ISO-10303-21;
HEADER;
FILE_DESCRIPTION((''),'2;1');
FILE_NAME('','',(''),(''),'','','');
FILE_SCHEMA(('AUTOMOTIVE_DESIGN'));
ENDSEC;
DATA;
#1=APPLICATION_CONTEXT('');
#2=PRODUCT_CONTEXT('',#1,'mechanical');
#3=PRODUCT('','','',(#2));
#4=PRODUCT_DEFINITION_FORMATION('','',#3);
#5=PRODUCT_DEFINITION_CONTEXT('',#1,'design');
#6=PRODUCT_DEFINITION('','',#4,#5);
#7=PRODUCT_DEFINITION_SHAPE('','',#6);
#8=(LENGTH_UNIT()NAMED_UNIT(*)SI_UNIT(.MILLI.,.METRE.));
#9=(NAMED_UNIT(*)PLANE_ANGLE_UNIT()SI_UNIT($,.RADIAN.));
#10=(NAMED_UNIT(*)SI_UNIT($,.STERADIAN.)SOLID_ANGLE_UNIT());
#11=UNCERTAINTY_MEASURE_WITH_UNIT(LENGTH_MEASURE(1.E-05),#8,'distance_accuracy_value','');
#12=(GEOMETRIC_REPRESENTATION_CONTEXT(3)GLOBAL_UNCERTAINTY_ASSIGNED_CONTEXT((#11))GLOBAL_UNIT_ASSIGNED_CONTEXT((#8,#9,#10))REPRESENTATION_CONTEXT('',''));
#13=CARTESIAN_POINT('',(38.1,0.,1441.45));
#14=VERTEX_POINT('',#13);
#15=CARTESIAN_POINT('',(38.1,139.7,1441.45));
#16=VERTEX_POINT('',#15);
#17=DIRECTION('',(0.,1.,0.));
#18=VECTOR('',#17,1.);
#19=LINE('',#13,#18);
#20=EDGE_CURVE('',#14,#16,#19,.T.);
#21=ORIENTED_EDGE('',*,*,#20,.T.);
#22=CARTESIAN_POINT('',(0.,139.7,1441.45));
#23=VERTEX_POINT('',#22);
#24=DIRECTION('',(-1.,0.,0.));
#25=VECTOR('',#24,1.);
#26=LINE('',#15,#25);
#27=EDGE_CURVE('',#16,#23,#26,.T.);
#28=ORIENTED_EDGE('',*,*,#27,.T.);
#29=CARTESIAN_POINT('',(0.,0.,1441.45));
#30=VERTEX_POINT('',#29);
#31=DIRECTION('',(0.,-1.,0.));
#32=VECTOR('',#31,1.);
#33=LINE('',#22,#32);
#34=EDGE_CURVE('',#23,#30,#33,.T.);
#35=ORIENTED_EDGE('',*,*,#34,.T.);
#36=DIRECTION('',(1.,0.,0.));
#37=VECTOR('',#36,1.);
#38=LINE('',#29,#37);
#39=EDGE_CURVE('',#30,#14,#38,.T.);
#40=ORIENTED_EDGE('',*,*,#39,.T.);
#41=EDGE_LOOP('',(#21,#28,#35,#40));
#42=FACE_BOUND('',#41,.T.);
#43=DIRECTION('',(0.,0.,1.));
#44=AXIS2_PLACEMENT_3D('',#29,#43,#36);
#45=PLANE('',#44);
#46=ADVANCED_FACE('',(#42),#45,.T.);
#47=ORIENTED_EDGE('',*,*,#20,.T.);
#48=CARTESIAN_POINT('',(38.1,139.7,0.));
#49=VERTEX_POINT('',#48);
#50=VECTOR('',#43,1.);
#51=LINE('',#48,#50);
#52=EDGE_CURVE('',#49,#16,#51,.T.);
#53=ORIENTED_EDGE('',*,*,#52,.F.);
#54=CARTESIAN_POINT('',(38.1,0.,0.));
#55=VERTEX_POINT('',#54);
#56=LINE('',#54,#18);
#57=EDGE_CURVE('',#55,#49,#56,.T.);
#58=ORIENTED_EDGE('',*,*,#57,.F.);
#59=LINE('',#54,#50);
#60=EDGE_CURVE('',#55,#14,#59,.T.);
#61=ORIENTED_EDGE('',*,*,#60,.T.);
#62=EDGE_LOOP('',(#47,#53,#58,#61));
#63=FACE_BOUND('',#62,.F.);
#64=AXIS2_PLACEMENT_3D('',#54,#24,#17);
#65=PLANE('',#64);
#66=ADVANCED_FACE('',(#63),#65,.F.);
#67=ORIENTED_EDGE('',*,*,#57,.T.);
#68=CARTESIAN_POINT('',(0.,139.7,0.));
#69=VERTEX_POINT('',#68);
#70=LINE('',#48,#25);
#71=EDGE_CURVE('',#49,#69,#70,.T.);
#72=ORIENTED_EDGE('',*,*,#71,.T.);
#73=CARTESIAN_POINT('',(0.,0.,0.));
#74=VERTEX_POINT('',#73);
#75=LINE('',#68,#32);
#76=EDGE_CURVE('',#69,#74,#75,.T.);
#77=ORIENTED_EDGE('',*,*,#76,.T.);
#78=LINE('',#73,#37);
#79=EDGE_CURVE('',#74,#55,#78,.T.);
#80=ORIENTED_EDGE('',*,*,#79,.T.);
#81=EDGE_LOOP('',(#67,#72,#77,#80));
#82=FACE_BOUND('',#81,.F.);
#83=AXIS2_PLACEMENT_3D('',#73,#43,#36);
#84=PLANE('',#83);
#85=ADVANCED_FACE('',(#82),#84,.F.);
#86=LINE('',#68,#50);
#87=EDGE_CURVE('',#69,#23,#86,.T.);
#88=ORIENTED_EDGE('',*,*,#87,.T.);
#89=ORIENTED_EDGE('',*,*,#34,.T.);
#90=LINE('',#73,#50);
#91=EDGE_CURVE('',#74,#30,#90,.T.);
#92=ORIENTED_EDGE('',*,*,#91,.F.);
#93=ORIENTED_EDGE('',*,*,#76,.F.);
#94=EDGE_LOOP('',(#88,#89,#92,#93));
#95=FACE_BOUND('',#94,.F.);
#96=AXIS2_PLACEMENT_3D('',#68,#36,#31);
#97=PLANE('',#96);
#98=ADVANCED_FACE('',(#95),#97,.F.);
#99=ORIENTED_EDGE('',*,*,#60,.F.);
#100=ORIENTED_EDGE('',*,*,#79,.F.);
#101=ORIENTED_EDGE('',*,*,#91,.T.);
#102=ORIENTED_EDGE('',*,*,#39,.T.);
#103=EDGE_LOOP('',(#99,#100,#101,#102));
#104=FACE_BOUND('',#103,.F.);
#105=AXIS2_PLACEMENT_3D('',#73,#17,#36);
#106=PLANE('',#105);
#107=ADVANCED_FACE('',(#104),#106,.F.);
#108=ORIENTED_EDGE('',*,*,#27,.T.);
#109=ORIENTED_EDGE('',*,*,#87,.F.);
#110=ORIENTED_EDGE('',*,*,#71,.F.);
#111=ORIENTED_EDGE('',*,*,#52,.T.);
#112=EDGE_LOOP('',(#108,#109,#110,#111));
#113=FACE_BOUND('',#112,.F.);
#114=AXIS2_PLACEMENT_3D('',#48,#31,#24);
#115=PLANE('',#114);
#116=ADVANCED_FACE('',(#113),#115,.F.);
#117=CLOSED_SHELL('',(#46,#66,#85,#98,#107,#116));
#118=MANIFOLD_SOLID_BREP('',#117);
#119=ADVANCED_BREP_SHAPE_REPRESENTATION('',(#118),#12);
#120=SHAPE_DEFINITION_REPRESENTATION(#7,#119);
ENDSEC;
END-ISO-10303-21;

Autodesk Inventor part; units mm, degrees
ref_plane "YZ Plane" through (0, 0, 0) normal (1, 0, 0) x (0, 1, 0)
ref_plane "XZ Plane" through (0, 0, 0) normal (0, 1, 0) x (-1, 0, 0)
ref_plane "XY Plane" through (0, 0, 0) normal (0, 0, 1) x (1, 0, 0)
sketch "Sketch1" plane through (0, 0, 0) normal (0, 0, 1) x (1, 0, 0)
  line L0 (0, 0) -> (38.1, 0)
  line L1 (38.1, 0) -> (38.1, 139.7)
  line L2 (38.1, 139.7) -> (0, 139.7)
  line L3 (0, 139.7) -> (0, 0)
  dimension "d0" = 38.1
  dimension "d1" = 139.7
extrude "Extrusion1" add sketch "Sketch1" along normal blind 1441.45
properties part number "Joist_With_Length_56.75_Inches" material "Wood (Birch)"
